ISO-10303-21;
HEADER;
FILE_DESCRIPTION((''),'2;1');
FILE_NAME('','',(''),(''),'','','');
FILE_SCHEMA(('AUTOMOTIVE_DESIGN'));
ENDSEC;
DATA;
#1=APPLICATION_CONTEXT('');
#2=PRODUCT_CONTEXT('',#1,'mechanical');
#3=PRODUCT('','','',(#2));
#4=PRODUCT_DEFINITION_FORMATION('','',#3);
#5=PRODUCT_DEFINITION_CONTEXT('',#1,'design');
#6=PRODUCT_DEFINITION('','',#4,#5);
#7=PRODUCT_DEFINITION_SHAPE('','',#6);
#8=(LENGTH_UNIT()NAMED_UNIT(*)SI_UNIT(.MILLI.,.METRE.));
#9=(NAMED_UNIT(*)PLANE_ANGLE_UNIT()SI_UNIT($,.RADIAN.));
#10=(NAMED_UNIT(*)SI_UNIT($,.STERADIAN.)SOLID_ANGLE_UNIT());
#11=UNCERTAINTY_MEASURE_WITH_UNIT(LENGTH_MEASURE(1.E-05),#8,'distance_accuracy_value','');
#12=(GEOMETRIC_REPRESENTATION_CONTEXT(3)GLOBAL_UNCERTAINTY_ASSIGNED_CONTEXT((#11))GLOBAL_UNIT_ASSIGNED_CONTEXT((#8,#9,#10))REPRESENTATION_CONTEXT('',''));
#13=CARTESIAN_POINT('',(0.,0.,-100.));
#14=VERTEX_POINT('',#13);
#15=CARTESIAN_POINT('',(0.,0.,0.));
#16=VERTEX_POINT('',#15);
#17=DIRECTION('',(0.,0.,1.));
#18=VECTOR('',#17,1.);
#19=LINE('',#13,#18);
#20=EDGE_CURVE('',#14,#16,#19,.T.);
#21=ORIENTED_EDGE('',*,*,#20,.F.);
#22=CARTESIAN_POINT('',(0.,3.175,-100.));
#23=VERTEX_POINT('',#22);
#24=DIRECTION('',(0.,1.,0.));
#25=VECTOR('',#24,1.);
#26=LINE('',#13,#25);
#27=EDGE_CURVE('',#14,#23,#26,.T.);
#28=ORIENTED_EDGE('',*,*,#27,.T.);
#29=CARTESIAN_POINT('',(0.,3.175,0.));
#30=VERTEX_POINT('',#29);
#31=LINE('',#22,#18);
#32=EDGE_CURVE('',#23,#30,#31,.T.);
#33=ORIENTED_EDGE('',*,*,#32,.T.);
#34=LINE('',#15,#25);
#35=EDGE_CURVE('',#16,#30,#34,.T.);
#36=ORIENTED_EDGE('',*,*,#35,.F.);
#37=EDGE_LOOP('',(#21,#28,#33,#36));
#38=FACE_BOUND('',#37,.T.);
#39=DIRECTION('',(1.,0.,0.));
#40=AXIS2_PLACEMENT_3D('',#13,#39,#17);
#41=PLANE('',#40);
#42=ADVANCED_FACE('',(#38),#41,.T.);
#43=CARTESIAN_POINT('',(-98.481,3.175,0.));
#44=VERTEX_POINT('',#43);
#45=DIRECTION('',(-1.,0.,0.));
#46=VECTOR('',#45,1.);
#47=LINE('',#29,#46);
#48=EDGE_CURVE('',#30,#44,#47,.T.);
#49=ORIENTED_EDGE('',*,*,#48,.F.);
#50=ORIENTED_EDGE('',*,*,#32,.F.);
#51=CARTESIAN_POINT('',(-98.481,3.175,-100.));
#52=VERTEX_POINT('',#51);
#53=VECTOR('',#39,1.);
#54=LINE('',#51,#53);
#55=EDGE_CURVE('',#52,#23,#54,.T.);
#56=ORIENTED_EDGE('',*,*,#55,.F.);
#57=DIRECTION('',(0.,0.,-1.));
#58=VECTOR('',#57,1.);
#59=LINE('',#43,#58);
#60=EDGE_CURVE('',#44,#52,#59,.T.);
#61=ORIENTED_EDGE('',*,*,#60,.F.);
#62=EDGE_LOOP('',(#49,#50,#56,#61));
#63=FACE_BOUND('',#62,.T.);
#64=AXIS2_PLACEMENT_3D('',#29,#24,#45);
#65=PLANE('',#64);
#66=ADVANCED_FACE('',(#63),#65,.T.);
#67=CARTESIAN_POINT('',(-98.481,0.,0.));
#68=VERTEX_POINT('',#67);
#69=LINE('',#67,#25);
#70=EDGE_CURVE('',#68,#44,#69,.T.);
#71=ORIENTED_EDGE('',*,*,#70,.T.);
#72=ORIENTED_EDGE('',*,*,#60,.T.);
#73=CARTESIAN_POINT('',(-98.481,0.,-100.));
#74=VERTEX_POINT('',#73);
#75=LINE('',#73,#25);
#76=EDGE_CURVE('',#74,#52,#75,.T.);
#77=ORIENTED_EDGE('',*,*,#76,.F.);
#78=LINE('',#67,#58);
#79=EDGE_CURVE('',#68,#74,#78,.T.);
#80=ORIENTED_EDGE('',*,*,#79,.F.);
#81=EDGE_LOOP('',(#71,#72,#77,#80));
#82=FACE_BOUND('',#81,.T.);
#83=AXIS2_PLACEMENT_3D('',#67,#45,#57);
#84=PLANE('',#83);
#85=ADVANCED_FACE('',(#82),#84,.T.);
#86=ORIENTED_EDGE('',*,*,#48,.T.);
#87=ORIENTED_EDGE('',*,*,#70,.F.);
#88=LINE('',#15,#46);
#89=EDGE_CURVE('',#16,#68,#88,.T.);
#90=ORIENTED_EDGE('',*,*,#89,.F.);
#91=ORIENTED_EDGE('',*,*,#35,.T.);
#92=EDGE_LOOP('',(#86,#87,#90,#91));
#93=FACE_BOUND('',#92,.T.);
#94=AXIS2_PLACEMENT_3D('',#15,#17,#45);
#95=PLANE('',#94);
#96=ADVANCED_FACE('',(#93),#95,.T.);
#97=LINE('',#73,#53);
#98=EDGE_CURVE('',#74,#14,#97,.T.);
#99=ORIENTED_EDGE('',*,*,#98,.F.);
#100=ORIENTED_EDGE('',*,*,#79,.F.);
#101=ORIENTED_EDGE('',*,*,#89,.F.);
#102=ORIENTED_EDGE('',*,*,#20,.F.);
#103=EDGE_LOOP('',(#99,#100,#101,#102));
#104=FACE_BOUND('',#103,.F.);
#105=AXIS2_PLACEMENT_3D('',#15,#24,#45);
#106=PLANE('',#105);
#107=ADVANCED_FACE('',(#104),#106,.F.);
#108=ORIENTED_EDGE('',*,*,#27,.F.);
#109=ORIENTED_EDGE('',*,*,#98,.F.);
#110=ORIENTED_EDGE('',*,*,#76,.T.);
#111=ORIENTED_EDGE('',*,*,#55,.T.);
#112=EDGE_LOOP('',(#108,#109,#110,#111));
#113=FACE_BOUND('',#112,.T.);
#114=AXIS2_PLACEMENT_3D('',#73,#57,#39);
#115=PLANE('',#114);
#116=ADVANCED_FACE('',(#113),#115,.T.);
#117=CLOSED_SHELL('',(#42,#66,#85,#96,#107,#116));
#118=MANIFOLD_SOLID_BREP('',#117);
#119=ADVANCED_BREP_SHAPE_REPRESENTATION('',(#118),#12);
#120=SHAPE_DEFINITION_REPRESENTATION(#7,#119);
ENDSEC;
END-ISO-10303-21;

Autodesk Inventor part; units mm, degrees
ref_plane "YZ Plane" through (0, 0, 0) normal (1, 0, 0) x (0, 1, 0)
ref_plane "XZ Plane" through (0, 0, 0) normal (0, 1, 0) x (-1, 0, 0)
ref_plane "XY Plane" through (0, 0, 0) normal (0, 0, 1) x (1, 0, 0)
sketch "Sketch1" plane through (0, 0, 0) normal (0, 1, 0) x (-1, 0, 0)
  line L0 (0, 0) -> (98.481, 0)
  line L1 (98.481, 0) -> (98.481, -100)
  line L2 (98.481, -100) -> (0, -100)
  line L3 (0, -100) -> (0, 0)
  dimension "d0" = 98.481
  dimension "d1" = 100
extrude "Extrusion1" add sketch "Sketch1" along normal blind 3.175
properties part number "bottom" material "Acrylic"
